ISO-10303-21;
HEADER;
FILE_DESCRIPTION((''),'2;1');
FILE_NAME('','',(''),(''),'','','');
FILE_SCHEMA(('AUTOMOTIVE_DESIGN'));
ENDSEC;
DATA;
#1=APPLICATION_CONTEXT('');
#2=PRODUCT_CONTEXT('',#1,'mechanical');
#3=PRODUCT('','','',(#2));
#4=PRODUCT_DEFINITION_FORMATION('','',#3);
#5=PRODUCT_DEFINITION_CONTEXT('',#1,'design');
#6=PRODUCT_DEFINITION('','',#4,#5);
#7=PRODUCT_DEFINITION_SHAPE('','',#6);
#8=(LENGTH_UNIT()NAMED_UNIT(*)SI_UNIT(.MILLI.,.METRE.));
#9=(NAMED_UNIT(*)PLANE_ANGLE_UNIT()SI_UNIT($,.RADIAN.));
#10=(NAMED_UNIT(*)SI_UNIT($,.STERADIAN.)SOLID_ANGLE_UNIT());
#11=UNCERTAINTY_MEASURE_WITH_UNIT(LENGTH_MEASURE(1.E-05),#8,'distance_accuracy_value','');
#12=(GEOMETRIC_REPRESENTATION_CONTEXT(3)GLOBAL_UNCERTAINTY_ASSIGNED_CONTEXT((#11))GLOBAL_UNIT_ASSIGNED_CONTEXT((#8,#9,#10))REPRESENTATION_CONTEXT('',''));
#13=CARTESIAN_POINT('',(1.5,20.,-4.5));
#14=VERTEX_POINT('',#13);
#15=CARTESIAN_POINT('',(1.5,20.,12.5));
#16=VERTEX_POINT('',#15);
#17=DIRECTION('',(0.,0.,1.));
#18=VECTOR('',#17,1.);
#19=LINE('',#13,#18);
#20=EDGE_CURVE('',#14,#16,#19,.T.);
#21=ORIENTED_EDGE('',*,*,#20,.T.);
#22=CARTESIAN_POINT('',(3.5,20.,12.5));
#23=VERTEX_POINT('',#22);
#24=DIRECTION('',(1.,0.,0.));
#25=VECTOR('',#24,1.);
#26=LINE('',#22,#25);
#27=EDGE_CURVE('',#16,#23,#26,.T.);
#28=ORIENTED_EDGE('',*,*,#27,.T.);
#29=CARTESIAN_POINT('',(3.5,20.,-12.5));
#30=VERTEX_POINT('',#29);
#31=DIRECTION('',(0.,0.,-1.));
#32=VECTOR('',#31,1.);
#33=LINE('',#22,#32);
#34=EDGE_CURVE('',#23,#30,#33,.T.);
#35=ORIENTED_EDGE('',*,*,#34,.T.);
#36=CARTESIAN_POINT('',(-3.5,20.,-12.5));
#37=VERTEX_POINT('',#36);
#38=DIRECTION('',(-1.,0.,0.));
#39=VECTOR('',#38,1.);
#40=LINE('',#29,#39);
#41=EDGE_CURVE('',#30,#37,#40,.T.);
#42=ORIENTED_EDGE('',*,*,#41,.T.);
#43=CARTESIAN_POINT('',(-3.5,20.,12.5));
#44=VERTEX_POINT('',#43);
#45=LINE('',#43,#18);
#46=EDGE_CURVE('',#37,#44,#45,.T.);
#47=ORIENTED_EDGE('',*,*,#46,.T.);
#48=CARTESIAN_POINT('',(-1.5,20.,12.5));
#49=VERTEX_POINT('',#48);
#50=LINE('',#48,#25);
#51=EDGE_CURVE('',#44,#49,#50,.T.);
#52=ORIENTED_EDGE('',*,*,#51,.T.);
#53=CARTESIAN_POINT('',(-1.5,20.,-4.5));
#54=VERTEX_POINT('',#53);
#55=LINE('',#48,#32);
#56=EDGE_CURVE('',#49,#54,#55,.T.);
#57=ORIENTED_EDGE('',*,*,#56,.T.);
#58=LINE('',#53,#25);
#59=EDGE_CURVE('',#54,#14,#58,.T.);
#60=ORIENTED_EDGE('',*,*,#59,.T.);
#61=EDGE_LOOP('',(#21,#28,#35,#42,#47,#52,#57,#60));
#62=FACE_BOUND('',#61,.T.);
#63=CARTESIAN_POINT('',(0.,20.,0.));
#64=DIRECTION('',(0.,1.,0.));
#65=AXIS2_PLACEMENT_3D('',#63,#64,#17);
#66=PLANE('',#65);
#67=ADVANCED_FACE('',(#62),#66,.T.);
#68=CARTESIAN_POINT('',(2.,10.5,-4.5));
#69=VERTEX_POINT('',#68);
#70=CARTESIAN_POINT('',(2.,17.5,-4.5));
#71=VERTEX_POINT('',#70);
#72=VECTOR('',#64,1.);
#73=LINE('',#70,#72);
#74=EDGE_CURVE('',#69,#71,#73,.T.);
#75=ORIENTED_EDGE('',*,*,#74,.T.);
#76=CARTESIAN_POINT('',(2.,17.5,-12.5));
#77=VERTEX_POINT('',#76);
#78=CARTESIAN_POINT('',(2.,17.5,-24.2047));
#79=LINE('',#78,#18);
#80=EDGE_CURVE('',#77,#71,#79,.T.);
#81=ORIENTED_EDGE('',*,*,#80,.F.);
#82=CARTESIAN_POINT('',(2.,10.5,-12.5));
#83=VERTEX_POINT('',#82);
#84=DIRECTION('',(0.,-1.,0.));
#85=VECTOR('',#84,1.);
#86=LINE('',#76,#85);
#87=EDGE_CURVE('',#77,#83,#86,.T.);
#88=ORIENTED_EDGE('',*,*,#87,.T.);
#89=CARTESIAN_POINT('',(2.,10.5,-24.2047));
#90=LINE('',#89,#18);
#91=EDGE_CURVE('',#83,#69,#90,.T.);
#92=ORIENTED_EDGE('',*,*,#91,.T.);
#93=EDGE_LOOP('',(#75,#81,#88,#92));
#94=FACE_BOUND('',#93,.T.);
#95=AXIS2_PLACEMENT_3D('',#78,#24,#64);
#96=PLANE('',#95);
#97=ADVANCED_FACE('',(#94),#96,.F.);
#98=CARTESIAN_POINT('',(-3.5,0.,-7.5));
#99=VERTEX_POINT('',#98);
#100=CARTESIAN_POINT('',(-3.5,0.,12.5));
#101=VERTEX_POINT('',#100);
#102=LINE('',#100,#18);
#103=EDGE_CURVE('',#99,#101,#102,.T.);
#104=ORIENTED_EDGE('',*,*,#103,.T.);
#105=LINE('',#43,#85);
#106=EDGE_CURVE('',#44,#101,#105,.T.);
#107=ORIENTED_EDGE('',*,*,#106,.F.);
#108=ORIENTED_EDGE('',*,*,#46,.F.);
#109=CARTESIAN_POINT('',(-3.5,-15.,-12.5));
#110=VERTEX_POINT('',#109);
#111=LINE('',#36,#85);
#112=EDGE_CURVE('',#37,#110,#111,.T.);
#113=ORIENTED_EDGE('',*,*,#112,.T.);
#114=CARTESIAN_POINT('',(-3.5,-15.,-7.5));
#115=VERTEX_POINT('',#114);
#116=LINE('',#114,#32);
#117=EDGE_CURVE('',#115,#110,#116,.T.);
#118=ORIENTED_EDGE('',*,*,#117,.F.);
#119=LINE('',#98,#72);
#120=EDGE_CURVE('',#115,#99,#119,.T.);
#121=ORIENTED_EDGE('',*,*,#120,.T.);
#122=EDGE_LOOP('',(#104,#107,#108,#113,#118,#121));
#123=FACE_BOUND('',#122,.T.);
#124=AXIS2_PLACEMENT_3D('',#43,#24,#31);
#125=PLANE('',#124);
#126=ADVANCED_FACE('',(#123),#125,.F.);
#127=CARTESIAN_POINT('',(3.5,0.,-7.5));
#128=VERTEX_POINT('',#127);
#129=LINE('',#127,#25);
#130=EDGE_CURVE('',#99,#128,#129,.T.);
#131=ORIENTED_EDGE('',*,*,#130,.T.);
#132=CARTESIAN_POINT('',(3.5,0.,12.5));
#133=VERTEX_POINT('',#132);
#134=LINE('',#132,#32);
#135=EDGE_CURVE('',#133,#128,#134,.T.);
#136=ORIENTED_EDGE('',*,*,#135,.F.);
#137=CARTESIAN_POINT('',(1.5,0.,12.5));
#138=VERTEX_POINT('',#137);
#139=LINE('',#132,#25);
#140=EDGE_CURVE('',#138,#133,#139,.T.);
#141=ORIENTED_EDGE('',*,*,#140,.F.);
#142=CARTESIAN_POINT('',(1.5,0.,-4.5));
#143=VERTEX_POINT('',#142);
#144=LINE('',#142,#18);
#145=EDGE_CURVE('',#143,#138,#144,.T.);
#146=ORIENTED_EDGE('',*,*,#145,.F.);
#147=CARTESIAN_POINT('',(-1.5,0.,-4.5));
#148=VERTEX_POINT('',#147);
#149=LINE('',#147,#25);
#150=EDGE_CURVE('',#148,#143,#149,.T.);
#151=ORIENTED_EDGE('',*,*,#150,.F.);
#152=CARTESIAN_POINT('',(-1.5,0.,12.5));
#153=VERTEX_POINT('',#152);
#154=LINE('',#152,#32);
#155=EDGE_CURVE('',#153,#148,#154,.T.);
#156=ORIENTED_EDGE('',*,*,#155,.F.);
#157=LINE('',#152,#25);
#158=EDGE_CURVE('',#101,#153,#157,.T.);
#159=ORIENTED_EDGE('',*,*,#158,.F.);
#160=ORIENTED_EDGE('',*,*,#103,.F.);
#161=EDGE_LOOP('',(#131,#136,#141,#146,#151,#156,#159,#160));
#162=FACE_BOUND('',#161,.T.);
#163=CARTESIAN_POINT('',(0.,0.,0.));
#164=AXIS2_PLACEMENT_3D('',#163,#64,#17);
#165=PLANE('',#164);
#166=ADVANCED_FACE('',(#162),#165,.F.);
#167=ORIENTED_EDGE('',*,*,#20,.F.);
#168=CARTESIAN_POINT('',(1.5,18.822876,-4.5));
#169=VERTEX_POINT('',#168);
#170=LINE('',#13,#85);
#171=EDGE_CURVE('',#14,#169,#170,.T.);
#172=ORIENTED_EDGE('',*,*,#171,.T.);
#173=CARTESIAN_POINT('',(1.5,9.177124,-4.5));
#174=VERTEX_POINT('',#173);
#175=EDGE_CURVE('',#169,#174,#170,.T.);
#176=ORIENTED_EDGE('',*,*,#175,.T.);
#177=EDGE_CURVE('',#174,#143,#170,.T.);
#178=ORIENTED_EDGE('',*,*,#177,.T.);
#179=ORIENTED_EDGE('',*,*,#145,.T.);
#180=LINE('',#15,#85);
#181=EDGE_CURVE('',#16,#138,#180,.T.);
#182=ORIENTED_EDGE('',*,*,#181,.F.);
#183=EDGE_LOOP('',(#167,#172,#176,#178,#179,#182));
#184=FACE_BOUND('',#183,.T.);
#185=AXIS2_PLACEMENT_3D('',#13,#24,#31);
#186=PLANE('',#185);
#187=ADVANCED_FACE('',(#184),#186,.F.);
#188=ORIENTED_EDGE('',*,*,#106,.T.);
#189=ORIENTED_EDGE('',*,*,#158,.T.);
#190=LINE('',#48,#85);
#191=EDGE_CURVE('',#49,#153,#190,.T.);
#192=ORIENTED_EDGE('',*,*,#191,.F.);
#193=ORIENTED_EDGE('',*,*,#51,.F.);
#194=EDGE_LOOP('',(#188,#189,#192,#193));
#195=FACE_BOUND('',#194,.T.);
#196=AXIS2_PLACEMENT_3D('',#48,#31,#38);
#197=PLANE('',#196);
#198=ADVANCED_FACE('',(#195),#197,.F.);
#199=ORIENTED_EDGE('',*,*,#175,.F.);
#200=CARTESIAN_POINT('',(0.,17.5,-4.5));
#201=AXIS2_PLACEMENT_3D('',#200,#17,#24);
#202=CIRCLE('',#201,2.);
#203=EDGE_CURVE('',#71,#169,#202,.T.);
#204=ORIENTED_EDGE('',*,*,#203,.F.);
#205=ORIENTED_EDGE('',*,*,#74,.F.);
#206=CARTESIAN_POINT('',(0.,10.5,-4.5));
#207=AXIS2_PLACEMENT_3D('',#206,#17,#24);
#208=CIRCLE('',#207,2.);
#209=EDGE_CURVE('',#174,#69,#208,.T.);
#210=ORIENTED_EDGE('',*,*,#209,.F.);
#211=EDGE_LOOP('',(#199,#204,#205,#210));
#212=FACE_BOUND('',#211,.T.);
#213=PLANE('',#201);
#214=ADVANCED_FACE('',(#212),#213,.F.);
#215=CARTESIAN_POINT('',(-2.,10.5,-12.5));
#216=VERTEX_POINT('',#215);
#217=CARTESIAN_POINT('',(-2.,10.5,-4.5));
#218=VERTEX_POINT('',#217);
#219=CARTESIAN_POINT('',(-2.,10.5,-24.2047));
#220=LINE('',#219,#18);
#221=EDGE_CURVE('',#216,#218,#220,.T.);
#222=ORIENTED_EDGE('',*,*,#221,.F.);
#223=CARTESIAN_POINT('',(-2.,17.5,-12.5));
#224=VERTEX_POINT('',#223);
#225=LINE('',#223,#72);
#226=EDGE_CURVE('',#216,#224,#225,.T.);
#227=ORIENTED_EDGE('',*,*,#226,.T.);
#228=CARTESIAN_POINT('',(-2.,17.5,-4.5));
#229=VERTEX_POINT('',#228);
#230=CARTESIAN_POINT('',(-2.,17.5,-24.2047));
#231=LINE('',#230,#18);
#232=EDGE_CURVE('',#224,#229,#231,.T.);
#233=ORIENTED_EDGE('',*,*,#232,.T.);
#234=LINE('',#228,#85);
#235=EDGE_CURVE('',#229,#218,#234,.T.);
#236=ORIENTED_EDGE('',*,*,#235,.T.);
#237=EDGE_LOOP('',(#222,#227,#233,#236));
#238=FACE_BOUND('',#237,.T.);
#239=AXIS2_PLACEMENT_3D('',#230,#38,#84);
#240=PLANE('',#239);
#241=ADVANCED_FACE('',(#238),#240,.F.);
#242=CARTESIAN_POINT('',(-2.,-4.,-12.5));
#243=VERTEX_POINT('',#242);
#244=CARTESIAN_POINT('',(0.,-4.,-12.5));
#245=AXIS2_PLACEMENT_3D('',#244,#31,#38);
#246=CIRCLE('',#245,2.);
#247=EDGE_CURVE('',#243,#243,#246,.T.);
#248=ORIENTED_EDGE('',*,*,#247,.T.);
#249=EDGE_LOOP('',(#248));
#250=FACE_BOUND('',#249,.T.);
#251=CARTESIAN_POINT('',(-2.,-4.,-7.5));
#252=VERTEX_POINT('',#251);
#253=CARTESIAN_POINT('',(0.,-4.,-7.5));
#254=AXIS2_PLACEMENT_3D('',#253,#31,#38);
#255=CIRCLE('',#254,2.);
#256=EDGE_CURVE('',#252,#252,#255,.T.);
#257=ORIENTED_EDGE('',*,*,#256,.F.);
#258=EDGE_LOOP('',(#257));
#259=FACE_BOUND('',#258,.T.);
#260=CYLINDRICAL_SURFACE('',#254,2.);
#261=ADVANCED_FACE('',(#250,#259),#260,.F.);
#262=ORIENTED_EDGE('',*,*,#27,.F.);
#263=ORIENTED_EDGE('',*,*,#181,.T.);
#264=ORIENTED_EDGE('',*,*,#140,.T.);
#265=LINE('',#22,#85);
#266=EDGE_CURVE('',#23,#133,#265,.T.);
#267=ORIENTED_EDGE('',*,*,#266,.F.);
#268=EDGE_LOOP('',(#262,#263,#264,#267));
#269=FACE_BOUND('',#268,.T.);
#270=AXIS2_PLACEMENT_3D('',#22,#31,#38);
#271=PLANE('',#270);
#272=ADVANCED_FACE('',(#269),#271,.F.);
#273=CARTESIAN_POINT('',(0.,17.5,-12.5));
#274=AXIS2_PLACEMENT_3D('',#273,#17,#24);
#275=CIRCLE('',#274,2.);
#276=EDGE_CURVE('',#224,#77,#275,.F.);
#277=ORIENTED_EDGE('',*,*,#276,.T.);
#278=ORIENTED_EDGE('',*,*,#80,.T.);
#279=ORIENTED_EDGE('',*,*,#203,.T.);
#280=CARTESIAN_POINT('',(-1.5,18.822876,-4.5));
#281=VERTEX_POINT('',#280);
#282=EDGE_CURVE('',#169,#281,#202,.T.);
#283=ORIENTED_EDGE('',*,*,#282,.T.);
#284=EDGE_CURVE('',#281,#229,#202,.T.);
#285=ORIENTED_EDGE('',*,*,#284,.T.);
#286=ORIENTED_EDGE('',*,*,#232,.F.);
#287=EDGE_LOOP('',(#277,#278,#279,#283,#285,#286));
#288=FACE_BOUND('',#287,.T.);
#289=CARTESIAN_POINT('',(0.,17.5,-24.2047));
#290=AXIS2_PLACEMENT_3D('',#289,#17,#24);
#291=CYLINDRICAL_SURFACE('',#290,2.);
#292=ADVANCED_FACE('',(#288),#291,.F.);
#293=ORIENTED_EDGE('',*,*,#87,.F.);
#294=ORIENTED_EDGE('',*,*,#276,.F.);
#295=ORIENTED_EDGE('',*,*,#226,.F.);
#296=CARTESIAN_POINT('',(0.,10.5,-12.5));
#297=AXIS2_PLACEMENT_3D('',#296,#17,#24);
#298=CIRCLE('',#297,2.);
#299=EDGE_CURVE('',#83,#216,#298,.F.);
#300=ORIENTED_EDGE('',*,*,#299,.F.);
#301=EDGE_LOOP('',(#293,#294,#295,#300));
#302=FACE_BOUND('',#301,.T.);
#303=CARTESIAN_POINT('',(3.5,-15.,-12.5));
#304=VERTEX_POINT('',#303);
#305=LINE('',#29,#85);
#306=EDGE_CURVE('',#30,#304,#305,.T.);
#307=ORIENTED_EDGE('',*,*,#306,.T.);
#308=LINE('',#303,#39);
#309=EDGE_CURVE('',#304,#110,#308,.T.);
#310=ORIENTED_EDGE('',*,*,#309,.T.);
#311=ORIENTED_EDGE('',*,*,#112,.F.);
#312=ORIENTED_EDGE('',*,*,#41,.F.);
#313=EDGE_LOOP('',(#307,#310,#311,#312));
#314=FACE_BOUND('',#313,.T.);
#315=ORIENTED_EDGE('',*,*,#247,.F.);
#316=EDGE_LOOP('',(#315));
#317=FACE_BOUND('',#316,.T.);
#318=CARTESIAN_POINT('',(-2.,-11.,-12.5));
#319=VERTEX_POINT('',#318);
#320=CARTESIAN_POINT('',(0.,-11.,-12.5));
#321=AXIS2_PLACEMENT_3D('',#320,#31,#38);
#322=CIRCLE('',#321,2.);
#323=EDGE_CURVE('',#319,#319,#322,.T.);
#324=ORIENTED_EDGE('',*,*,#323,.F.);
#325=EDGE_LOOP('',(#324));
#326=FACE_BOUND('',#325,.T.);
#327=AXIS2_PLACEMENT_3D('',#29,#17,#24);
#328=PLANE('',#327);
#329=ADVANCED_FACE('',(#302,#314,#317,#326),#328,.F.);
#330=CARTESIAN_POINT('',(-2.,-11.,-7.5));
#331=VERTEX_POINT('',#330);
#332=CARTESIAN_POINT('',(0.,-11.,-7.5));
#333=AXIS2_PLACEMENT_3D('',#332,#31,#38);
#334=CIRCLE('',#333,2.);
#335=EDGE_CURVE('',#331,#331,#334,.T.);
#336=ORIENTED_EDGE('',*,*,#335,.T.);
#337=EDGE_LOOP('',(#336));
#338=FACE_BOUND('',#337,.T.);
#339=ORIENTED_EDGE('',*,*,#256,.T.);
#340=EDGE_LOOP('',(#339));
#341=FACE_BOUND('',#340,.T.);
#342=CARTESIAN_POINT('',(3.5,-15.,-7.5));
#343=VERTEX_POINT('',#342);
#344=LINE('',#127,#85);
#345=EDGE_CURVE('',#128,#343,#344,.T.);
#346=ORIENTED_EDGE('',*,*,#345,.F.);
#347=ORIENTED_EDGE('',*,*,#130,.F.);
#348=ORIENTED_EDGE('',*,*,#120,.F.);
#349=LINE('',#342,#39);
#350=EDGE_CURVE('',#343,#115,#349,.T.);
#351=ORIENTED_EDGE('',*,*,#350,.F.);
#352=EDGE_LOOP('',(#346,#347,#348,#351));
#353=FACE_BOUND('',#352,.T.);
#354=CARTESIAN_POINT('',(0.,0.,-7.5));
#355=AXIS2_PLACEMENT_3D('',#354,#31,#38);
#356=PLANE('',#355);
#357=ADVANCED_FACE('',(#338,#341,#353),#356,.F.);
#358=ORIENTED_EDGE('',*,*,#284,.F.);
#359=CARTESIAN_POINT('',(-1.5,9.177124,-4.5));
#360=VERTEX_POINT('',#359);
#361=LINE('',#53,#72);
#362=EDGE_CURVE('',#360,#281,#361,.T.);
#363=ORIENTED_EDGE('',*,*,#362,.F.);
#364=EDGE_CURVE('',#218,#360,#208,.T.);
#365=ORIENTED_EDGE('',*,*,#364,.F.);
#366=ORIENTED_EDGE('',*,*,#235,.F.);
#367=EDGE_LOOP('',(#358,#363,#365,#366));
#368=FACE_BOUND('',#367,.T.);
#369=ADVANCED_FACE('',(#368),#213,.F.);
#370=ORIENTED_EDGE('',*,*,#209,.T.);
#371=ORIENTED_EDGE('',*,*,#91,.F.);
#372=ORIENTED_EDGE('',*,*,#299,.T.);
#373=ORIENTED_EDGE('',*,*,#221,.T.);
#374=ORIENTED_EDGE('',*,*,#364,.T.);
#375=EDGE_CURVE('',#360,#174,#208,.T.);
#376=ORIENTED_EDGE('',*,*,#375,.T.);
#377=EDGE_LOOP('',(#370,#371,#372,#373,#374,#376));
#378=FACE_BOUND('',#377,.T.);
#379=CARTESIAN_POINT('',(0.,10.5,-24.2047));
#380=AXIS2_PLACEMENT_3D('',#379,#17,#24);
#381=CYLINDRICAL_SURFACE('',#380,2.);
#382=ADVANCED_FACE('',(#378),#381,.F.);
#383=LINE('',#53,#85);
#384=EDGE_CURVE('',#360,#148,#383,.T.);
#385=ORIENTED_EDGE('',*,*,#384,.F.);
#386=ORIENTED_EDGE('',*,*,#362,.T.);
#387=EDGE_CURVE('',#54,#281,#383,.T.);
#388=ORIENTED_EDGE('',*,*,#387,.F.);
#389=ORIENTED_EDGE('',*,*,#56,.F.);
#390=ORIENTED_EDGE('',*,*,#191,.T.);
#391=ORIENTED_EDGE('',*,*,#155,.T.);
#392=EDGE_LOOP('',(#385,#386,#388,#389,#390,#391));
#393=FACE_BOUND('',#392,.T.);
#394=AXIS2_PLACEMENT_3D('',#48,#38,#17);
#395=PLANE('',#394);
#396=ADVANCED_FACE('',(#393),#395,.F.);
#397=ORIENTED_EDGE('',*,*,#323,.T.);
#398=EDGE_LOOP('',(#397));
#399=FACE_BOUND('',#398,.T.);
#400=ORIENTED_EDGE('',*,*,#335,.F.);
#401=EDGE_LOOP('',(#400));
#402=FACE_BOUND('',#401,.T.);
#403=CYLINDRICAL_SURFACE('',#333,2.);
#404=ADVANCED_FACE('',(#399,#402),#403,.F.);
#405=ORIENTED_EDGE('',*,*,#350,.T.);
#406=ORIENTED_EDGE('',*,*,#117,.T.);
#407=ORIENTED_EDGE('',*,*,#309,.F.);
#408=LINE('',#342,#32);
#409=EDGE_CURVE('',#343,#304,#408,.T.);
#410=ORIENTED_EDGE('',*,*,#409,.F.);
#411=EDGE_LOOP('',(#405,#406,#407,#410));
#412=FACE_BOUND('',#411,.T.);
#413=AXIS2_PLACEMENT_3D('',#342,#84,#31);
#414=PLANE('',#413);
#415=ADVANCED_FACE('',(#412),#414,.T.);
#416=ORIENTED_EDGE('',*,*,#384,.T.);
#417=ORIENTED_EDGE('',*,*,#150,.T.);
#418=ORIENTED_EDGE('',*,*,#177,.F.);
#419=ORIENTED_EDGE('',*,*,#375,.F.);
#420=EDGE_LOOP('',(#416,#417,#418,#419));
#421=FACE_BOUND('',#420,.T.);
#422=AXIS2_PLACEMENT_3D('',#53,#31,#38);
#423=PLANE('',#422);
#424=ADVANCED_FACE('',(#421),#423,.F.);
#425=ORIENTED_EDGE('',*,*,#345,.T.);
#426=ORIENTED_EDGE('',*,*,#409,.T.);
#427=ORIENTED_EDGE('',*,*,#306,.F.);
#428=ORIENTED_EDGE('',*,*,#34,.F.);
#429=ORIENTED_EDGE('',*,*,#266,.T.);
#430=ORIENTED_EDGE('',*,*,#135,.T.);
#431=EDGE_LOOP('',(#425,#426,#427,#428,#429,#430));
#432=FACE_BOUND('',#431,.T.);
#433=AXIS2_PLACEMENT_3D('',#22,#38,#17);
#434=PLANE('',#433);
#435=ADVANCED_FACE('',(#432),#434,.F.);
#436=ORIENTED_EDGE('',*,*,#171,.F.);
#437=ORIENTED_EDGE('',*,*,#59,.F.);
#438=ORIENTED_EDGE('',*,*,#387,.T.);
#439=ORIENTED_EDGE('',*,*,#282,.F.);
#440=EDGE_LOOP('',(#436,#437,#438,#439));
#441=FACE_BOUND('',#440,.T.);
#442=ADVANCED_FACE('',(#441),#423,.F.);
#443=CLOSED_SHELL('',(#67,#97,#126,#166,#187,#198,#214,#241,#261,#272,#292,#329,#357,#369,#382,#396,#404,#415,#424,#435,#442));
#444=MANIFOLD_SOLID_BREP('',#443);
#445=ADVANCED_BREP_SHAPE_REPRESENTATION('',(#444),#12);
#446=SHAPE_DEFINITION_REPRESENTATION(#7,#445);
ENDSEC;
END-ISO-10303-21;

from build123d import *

# Parameters (mm, degrees)
BOSS_EXTRUDE1_DEPTH = 20
CUT_EXTRUDE3_DEPTH  = 8
SKETCH4_W           = 7
SKETCH4_H           = 15
SKETCH4_R           = 2
BOSS_EXTRUDE2_DEPTH = 5


with BuildPart() as part:
    # Sketch1 → Boss-Extrude1 (new body)
    with BuildSketch(Plane(origin=(0, 0, 0), x_dir=(1, 0, 0), z_dir=(0, 1, 0))):
        Polygon((-1.5, -12.5), (-1.5, 4.5), (1.5, 4.5), (1.5, -12.5), (3.5, -12.5), (3.5, 12.5), (-3.5, 12.5), (-3.5, -12.5), align=None)
    extrude(amount=BOSS_EXTRUDE1_DEPTH)

    # Sketch2 → Cut-Extrude3 (cut)
    with BuildSketch(Plane.XY.offset(-4.5)):
        with BuildLine():
            Line((2, 17.5), (2, 10.5))
            ThreePointArc((2, 10.5), (0, 8.5), (-2, 10.5))
            Line((-2, 10.5), (-2, 17.5))
            ThreePointArc((-2, 17.5), (0, 19.5), (2, 17.5))
        make_face()
    extrude(amount=-CUT_EXTRUDE3_DEPTH, mode=Mode.SUBTRACT)

    # Sketch4 → Boss-Extrude2 (add)
    with BuildSketch(Plane(origin=(0, 0, -12.5), x_dir=(-1, 0, 0), z_dir=(0, 0, -1))):
        with Locations((0, -7.5)):
            Rectangle(SKETCH4_W, SKETCH4_H)
        with Locations((0, -4)):
            Circle(SKETCH4_R, mode=Mode.SUBTRACT)
        with Locations((0, -11)):
            Circle(SKETCH4_R, mode=Mode.SUBTRACT)
    extrude(amount=-BOSS_EXTRUDE2_DEPTH)


solid = part.part
